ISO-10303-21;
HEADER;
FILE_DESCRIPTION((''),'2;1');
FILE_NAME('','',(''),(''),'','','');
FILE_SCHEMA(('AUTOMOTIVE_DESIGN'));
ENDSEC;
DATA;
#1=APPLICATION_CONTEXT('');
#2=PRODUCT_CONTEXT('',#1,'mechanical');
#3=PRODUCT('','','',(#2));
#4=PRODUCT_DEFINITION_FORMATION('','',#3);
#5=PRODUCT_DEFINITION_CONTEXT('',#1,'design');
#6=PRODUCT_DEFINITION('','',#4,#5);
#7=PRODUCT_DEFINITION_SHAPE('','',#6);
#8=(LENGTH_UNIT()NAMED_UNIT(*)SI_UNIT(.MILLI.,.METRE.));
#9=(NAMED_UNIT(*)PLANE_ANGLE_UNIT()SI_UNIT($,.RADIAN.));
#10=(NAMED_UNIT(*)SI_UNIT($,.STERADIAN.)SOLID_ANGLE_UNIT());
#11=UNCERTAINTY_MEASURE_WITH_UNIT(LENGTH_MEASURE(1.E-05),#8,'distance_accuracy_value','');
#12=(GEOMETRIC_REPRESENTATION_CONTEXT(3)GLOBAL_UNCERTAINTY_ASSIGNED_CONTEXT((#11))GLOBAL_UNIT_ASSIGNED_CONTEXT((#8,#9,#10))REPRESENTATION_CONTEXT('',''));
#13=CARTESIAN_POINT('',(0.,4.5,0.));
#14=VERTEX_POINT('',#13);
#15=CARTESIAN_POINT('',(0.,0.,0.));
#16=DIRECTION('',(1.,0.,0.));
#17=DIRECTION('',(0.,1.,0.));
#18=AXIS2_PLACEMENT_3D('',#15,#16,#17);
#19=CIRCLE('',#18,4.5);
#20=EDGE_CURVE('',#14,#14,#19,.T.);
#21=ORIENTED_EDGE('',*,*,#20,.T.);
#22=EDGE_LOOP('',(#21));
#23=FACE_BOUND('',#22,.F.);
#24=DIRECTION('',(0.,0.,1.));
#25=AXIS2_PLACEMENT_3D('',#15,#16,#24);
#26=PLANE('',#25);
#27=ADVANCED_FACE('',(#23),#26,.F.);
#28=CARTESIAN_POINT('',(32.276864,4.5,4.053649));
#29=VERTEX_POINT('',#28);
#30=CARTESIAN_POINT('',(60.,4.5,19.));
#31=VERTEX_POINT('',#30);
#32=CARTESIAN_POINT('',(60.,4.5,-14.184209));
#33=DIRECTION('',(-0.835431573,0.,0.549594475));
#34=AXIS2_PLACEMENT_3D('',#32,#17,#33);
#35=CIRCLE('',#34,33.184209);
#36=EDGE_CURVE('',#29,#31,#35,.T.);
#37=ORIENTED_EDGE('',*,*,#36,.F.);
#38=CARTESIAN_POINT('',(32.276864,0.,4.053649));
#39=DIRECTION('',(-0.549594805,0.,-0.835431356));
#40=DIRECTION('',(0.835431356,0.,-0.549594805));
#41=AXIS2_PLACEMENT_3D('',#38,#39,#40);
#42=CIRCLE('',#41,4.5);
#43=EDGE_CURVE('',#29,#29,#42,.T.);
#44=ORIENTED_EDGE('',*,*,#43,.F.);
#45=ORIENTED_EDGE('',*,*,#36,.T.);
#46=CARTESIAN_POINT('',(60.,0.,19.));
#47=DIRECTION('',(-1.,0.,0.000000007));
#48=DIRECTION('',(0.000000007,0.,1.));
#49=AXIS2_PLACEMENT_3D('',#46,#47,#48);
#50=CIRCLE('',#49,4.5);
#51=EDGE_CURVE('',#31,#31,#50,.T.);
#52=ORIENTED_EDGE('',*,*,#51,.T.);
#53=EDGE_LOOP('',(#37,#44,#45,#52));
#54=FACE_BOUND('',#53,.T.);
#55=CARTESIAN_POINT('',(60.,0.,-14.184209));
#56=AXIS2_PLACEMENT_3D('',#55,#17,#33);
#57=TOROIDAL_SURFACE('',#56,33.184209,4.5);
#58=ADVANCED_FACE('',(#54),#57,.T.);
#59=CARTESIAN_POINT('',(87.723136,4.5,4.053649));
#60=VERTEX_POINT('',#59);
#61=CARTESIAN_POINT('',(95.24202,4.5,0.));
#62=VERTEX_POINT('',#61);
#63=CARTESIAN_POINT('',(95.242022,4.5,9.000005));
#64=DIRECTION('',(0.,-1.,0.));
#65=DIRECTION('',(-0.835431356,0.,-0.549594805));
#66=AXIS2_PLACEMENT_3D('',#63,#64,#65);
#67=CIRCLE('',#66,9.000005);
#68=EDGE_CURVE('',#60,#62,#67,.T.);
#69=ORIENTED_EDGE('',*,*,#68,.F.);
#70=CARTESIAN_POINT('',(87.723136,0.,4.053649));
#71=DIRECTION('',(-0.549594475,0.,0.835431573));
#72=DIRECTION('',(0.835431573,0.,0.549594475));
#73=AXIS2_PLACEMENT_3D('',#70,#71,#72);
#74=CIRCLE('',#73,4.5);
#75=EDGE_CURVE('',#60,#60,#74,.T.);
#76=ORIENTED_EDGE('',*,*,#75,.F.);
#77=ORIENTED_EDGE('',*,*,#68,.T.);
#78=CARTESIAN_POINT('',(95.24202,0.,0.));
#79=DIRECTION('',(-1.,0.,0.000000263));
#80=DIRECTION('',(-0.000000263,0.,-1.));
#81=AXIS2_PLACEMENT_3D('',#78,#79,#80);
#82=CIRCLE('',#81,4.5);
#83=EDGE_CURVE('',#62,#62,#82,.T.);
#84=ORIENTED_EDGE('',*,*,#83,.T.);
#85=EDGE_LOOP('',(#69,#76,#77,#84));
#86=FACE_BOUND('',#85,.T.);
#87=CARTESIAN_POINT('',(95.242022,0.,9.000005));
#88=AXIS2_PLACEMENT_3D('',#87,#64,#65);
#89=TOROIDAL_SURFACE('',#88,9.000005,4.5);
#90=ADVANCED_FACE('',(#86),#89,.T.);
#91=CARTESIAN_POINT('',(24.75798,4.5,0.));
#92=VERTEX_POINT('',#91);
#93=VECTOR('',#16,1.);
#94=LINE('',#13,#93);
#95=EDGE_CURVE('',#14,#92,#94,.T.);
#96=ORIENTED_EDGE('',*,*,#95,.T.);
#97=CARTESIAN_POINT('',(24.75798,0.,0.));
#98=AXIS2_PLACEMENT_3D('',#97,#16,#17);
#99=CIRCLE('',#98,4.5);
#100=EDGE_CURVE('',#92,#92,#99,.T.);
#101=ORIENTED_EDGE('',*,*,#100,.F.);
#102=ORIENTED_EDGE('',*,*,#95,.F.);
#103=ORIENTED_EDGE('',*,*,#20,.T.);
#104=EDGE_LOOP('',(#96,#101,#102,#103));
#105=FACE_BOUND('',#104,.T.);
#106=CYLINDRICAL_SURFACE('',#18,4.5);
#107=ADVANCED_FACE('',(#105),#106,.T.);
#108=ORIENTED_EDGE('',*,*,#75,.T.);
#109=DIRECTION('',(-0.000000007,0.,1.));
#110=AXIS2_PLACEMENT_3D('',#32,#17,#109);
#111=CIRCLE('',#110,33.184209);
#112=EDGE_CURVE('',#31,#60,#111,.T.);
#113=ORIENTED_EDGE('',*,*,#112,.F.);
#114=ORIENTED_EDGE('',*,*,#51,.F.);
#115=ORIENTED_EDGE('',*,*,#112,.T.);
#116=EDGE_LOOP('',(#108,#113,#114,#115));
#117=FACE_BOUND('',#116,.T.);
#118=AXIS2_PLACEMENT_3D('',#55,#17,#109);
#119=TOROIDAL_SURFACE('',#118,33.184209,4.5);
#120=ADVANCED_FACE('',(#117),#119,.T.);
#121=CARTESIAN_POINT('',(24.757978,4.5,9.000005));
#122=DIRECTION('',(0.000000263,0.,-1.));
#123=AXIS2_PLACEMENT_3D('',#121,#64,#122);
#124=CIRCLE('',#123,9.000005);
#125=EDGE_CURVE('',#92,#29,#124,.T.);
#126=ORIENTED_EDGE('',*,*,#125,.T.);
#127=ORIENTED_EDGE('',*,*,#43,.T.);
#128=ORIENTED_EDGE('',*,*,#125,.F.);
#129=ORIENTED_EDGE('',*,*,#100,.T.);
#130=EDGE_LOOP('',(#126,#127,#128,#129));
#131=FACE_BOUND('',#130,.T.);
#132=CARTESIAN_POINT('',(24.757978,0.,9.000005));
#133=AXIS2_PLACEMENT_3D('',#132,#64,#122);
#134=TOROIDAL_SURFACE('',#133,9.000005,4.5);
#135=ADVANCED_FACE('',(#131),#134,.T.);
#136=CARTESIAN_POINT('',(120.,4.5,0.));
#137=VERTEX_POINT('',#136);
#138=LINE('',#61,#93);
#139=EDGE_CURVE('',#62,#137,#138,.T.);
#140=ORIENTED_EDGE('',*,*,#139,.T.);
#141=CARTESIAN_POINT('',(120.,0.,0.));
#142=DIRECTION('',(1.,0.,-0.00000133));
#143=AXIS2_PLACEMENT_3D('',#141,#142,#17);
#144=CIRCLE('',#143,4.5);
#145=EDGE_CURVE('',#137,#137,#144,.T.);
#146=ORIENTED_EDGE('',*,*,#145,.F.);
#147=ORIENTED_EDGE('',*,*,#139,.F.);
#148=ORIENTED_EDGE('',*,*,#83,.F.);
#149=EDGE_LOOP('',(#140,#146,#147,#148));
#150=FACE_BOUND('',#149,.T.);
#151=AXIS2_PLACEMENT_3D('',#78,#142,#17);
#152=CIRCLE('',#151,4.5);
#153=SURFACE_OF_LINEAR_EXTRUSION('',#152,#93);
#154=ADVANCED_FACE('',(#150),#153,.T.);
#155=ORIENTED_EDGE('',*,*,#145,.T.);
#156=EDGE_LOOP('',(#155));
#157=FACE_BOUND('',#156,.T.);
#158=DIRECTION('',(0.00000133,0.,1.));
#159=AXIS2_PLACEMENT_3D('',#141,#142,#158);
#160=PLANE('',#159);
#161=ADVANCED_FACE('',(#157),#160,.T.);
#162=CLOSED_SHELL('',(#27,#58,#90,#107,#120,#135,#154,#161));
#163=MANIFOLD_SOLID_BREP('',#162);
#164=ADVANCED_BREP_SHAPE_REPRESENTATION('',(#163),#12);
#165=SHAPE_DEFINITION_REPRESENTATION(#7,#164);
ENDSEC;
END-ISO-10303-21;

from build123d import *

# Parameters (mm, degrees)
F1_R = 4.5


with BuildPart() as f2:
    # F2: sweep along a path in F0
    with BuildLine(Plane.XZ) as f2_path:
        Line((0, 0), (24.75798, 0))
        ThreePointArc((24.75798, 0), (29.028977, 1.077969), (32.276864, 4.053649))
        ThreePointArc((32.276864, 4.053649), (44.252257, 15.025384), (60, 19))
        ThreePointArc((60, 19), (75.747743, 15.025384), (87.723136, 4.053649))
        ThreePointArc((87.723136, 4.053649), (90.971023, 1.077969), (95.24202, 0))
        Line((95.24202, 0), (120, 0))
    # F1 (on Right) → F2 (sweep)
    with BuildSketch(Plane.YZ):
        Circle(F1_R)
    sweep(path=f2_path.line)


solid = f2.part
